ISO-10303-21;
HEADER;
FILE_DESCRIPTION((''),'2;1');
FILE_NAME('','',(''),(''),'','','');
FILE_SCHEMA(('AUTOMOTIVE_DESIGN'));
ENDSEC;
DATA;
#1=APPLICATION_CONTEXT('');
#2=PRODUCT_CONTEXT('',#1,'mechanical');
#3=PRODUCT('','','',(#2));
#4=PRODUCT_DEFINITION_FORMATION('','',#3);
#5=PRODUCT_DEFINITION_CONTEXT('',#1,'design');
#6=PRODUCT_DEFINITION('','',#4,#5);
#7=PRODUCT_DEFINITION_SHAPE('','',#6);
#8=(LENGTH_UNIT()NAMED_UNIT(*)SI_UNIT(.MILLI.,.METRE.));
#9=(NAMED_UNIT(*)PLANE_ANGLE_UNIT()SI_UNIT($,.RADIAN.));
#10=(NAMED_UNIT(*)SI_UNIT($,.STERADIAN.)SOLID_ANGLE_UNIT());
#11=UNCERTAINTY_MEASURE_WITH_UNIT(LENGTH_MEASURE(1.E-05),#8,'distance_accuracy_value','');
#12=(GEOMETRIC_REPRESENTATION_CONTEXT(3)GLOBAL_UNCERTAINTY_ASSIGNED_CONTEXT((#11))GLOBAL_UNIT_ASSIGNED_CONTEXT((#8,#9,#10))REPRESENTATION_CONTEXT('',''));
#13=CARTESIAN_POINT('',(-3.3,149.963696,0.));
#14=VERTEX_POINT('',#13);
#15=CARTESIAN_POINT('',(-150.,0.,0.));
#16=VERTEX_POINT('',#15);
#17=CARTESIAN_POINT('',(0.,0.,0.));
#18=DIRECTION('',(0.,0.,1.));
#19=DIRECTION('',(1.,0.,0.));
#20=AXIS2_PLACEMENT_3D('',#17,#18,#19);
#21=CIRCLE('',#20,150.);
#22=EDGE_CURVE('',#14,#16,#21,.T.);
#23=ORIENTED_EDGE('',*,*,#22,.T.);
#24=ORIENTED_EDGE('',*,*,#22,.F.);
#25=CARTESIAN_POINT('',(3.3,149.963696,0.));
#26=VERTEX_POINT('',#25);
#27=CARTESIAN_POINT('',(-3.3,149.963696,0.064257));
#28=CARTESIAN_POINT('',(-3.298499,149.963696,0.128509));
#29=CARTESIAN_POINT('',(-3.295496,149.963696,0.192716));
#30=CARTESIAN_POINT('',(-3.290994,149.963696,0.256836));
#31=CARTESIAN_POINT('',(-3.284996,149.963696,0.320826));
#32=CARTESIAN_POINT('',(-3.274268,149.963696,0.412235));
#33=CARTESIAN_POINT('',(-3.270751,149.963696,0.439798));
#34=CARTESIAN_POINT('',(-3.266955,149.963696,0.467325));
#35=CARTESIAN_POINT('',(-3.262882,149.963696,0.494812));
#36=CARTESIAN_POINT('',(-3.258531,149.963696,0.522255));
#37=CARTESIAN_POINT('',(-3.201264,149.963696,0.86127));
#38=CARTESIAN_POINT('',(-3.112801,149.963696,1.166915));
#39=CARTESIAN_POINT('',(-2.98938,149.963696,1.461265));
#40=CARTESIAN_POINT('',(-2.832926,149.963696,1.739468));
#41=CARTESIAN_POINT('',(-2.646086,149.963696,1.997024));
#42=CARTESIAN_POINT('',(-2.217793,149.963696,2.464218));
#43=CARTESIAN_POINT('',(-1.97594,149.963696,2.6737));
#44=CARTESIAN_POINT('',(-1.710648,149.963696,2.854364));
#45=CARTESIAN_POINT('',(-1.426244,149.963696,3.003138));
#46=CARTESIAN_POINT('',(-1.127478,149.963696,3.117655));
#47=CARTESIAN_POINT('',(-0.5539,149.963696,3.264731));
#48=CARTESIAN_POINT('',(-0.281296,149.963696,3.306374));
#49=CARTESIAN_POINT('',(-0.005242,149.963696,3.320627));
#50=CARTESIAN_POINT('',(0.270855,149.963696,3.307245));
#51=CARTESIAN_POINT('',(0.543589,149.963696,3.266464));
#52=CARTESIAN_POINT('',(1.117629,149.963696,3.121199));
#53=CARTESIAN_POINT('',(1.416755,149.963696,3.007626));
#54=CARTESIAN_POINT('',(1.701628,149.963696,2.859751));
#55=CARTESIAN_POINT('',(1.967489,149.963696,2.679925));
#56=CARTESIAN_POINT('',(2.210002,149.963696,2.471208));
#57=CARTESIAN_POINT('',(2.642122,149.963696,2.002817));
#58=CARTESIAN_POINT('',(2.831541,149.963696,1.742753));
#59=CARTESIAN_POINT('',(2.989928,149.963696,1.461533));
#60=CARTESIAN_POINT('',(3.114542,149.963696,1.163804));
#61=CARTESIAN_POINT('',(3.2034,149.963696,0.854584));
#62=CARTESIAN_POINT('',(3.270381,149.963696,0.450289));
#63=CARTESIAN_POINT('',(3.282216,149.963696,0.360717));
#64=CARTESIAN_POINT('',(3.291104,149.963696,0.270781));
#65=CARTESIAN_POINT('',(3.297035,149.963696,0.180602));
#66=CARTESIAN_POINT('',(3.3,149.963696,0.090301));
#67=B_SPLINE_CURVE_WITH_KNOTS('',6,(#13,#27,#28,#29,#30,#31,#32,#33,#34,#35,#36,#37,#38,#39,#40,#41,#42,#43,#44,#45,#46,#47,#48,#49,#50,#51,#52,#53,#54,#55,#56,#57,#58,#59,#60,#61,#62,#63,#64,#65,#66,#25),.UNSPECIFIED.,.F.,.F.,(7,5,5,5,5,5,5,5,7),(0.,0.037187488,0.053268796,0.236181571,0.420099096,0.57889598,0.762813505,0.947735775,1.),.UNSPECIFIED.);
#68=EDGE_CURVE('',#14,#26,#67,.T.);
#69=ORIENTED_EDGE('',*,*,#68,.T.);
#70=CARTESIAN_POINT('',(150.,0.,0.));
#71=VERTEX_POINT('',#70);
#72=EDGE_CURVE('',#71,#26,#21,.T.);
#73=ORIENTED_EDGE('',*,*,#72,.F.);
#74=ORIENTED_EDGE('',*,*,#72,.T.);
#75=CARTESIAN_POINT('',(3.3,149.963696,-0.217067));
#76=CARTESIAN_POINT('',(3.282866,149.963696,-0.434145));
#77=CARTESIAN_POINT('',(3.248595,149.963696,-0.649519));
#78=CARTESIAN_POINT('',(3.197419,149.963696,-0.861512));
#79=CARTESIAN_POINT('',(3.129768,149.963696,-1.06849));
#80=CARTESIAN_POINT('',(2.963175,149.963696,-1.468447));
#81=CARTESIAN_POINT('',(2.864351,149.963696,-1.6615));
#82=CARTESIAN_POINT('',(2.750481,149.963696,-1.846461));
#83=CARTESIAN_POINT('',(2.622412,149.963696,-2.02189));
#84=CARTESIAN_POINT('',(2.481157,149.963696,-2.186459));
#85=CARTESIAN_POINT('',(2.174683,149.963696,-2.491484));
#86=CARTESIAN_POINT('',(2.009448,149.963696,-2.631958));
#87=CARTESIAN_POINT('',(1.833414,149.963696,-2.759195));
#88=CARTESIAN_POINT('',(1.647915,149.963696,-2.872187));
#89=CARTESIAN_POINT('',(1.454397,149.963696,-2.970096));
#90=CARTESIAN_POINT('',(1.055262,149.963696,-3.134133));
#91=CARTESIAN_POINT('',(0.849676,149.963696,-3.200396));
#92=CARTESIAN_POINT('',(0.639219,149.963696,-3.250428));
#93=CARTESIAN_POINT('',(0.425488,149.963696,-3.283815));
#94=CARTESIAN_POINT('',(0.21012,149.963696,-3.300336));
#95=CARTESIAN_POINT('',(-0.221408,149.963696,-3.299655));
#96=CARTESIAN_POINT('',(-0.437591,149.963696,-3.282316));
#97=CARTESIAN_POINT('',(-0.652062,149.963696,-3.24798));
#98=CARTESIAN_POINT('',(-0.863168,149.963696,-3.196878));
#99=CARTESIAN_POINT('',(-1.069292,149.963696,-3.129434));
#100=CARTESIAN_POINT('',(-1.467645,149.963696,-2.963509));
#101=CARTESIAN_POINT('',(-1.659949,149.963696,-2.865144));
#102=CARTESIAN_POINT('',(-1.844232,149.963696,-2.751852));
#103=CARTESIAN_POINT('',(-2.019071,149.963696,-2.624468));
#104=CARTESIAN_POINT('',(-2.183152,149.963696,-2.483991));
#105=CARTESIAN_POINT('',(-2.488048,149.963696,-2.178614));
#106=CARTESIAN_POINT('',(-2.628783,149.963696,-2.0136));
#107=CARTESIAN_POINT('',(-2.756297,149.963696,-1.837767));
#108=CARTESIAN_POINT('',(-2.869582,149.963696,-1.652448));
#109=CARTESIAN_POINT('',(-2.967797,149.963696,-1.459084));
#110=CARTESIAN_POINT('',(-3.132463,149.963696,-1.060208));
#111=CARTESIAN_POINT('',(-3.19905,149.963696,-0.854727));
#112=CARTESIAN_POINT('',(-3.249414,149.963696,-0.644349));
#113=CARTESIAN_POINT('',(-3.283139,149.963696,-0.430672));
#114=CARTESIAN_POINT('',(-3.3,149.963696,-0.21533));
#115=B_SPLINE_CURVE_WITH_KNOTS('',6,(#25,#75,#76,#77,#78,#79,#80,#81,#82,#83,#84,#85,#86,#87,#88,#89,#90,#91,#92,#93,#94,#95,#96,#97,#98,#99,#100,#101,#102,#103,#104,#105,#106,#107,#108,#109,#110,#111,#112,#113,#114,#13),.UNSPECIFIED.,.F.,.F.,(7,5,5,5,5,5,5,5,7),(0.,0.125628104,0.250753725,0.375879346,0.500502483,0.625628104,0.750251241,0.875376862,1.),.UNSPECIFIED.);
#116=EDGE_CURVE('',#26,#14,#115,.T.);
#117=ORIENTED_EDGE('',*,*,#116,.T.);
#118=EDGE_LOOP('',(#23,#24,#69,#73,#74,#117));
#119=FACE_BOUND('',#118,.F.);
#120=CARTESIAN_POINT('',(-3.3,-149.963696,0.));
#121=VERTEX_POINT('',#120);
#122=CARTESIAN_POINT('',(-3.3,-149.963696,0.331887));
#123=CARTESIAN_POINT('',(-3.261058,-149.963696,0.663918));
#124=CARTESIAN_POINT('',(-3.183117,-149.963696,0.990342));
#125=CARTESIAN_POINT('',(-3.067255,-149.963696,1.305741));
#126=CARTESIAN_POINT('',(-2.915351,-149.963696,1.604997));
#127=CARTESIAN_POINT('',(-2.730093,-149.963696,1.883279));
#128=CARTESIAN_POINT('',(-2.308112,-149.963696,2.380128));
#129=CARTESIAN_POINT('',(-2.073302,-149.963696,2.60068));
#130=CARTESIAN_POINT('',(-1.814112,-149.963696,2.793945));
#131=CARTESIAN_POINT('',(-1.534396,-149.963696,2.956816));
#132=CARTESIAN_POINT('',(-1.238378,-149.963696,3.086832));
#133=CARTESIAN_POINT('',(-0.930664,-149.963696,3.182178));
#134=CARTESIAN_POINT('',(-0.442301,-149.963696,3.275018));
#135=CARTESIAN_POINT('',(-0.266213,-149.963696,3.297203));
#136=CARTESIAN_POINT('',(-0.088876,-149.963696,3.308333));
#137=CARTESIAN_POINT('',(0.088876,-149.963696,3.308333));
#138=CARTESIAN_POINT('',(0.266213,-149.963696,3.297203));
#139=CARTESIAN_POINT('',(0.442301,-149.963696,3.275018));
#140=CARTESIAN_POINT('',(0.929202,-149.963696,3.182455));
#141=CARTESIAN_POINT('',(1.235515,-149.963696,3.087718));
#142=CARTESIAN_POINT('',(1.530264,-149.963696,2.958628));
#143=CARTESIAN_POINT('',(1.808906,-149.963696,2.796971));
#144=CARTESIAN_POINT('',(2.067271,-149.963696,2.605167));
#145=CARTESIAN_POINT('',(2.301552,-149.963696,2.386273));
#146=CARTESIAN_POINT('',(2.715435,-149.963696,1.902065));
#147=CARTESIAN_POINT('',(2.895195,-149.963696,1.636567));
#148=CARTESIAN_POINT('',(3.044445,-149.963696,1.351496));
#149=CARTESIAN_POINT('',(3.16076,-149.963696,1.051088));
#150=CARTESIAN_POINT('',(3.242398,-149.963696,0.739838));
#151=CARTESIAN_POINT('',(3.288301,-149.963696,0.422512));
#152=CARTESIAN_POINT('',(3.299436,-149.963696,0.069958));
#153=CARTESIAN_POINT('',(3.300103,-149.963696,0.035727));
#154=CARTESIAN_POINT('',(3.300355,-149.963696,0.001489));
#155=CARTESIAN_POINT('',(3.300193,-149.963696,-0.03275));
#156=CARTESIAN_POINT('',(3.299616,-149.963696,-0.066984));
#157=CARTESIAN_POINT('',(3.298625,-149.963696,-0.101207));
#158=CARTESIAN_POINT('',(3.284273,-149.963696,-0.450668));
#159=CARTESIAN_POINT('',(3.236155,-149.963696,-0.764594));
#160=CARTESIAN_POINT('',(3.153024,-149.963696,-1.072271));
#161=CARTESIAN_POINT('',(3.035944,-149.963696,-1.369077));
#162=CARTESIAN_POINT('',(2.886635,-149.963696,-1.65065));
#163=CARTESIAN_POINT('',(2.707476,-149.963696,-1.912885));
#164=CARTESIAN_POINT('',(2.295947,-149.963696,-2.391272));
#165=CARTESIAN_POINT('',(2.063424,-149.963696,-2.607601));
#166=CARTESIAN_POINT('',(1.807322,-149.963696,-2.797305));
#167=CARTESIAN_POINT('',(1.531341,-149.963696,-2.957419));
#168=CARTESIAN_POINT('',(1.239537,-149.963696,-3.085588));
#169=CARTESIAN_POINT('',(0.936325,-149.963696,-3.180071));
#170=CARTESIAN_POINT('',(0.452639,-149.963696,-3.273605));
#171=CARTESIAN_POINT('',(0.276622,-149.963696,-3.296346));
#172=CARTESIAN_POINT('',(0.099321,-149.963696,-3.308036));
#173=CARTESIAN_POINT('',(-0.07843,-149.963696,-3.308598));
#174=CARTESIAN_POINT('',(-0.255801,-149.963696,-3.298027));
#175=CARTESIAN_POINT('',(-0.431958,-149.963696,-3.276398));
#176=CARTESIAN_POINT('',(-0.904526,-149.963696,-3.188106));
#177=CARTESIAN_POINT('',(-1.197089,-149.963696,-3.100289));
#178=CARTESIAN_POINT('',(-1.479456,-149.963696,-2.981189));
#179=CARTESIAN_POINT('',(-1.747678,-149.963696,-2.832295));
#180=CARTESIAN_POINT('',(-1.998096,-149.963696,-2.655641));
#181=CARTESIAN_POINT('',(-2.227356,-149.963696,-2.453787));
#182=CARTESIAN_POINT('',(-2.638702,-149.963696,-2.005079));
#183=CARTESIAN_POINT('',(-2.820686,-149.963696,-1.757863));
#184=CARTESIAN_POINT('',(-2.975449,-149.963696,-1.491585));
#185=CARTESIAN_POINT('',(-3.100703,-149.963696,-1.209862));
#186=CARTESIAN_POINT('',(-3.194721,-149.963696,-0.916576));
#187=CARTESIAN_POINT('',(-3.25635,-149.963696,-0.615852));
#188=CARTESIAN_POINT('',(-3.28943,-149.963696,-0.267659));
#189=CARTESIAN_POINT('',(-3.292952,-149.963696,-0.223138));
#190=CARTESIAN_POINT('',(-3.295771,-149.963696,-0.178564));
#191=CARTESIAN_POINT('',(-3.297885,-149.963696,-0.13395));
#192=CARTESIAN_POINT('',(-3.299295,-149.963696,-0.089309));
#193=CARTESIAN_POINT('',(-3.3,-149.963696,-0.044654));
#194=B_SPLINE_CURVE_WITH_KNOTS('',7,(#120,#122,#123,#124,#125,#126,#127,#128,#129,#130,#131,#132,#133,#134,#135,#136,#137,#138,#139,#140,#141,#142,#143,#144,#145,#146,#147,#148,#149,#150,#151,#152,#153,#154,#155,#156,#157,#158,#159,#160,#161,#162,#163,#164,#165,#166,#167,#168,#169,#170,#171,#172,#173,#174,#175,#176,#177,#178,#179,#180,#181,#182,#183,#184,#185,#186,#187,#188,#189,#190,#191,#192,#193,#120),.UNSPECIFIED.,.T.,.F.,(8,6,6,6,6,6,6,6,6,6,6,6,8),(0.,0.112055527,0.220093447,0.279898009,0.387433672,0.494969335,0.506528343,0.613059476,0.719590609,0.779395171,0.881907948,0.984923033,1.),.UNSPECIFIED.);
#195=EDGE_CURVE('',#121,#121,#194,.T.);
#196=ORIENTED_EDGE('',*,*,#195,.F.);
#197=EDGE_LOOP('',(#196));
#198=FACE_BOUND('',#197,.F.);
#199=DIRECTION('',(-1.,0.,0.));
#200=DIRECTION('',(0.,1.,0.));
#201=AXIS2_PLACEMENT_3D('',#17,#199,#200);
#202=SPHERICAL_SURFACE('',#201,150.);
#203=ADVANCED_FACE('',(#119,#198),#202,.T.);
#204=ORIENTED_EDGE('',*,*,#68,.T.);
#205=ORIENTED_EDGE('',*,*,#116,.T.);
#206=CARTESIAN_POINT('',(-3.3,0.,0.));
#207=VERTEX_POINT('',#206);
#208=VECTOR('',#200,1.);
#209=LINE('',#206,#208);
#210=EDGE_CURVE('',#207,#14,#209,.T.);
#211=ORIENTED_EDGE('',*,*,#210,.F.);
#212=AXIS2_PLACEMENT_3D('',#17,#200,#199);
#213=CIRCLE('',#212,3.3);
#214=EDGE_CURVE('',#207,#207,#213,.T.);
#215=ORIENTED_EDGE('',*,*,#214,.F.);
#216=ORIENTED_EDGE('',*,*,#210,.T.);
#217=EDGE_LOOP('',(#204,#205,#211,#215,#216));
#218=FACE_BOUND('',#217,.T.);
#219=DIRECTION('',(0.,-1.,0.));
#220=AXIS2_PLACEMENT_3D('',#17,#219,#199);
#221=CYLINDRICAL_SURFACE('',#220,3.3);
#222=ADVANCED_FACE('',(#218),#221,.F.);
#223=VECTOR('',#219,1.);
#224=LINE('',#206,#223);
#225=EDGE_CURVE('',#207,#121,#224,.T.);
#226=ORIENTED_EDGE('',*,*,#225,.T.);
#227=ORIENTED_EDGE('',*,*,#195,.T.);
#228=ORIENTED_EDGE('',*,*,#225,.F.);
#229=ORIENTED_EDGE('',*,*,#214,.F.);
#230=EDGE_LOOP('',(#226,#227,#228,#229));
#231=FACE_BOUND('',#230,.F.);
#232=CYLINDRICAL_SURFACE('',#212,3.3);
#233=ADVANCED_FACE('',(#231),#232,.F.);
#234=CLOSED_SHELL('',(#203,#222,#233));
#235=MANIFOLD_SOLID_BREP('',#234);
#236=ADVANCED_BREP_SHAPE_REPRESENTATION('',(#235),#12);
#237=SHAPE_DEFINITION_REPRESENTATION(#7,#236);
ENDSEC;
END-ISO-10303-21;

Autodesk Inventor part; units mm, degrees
ref_plane "YZ Plane" through (0, 0, 0) normal (1, 0, 0) x (0, 1, 0)
ref_plane "XZ Plane" through (0, 0, 0) normal (0, 1, 0) x (-1, 0, 0)
ref_plane "XY Plane" through (0, 0, 0) normal (0, 0, 1) x (1, 0, 0)
sketch "Sketch1" plane through (0, 0, 0) normal (0, 0, 1) x (1, 0, 0)
  line L0 (-150, 0) -> (150, 0)
  arc A0 (150, 0) -> (-150, 0) centre (0, 0) ccw
  dimension "d1" = 300
revolve "Revolution1" add sketch "Sketch1" angle 360 about axis through (-150, 0, 0) along (1, 0, 0)
sketch "Sketch2" plane through (0, 0, 0) normal (0, 1, 0) x (-1, 0, 0)
  circle A0 centre (0, 0) radius 3.3
  dimension "d3" = 6.6
extrude "Extrusion1" cut sketch "Sketch2" along normal through all both and the other way through all
properties part number "TopLoad" material "Silver"
